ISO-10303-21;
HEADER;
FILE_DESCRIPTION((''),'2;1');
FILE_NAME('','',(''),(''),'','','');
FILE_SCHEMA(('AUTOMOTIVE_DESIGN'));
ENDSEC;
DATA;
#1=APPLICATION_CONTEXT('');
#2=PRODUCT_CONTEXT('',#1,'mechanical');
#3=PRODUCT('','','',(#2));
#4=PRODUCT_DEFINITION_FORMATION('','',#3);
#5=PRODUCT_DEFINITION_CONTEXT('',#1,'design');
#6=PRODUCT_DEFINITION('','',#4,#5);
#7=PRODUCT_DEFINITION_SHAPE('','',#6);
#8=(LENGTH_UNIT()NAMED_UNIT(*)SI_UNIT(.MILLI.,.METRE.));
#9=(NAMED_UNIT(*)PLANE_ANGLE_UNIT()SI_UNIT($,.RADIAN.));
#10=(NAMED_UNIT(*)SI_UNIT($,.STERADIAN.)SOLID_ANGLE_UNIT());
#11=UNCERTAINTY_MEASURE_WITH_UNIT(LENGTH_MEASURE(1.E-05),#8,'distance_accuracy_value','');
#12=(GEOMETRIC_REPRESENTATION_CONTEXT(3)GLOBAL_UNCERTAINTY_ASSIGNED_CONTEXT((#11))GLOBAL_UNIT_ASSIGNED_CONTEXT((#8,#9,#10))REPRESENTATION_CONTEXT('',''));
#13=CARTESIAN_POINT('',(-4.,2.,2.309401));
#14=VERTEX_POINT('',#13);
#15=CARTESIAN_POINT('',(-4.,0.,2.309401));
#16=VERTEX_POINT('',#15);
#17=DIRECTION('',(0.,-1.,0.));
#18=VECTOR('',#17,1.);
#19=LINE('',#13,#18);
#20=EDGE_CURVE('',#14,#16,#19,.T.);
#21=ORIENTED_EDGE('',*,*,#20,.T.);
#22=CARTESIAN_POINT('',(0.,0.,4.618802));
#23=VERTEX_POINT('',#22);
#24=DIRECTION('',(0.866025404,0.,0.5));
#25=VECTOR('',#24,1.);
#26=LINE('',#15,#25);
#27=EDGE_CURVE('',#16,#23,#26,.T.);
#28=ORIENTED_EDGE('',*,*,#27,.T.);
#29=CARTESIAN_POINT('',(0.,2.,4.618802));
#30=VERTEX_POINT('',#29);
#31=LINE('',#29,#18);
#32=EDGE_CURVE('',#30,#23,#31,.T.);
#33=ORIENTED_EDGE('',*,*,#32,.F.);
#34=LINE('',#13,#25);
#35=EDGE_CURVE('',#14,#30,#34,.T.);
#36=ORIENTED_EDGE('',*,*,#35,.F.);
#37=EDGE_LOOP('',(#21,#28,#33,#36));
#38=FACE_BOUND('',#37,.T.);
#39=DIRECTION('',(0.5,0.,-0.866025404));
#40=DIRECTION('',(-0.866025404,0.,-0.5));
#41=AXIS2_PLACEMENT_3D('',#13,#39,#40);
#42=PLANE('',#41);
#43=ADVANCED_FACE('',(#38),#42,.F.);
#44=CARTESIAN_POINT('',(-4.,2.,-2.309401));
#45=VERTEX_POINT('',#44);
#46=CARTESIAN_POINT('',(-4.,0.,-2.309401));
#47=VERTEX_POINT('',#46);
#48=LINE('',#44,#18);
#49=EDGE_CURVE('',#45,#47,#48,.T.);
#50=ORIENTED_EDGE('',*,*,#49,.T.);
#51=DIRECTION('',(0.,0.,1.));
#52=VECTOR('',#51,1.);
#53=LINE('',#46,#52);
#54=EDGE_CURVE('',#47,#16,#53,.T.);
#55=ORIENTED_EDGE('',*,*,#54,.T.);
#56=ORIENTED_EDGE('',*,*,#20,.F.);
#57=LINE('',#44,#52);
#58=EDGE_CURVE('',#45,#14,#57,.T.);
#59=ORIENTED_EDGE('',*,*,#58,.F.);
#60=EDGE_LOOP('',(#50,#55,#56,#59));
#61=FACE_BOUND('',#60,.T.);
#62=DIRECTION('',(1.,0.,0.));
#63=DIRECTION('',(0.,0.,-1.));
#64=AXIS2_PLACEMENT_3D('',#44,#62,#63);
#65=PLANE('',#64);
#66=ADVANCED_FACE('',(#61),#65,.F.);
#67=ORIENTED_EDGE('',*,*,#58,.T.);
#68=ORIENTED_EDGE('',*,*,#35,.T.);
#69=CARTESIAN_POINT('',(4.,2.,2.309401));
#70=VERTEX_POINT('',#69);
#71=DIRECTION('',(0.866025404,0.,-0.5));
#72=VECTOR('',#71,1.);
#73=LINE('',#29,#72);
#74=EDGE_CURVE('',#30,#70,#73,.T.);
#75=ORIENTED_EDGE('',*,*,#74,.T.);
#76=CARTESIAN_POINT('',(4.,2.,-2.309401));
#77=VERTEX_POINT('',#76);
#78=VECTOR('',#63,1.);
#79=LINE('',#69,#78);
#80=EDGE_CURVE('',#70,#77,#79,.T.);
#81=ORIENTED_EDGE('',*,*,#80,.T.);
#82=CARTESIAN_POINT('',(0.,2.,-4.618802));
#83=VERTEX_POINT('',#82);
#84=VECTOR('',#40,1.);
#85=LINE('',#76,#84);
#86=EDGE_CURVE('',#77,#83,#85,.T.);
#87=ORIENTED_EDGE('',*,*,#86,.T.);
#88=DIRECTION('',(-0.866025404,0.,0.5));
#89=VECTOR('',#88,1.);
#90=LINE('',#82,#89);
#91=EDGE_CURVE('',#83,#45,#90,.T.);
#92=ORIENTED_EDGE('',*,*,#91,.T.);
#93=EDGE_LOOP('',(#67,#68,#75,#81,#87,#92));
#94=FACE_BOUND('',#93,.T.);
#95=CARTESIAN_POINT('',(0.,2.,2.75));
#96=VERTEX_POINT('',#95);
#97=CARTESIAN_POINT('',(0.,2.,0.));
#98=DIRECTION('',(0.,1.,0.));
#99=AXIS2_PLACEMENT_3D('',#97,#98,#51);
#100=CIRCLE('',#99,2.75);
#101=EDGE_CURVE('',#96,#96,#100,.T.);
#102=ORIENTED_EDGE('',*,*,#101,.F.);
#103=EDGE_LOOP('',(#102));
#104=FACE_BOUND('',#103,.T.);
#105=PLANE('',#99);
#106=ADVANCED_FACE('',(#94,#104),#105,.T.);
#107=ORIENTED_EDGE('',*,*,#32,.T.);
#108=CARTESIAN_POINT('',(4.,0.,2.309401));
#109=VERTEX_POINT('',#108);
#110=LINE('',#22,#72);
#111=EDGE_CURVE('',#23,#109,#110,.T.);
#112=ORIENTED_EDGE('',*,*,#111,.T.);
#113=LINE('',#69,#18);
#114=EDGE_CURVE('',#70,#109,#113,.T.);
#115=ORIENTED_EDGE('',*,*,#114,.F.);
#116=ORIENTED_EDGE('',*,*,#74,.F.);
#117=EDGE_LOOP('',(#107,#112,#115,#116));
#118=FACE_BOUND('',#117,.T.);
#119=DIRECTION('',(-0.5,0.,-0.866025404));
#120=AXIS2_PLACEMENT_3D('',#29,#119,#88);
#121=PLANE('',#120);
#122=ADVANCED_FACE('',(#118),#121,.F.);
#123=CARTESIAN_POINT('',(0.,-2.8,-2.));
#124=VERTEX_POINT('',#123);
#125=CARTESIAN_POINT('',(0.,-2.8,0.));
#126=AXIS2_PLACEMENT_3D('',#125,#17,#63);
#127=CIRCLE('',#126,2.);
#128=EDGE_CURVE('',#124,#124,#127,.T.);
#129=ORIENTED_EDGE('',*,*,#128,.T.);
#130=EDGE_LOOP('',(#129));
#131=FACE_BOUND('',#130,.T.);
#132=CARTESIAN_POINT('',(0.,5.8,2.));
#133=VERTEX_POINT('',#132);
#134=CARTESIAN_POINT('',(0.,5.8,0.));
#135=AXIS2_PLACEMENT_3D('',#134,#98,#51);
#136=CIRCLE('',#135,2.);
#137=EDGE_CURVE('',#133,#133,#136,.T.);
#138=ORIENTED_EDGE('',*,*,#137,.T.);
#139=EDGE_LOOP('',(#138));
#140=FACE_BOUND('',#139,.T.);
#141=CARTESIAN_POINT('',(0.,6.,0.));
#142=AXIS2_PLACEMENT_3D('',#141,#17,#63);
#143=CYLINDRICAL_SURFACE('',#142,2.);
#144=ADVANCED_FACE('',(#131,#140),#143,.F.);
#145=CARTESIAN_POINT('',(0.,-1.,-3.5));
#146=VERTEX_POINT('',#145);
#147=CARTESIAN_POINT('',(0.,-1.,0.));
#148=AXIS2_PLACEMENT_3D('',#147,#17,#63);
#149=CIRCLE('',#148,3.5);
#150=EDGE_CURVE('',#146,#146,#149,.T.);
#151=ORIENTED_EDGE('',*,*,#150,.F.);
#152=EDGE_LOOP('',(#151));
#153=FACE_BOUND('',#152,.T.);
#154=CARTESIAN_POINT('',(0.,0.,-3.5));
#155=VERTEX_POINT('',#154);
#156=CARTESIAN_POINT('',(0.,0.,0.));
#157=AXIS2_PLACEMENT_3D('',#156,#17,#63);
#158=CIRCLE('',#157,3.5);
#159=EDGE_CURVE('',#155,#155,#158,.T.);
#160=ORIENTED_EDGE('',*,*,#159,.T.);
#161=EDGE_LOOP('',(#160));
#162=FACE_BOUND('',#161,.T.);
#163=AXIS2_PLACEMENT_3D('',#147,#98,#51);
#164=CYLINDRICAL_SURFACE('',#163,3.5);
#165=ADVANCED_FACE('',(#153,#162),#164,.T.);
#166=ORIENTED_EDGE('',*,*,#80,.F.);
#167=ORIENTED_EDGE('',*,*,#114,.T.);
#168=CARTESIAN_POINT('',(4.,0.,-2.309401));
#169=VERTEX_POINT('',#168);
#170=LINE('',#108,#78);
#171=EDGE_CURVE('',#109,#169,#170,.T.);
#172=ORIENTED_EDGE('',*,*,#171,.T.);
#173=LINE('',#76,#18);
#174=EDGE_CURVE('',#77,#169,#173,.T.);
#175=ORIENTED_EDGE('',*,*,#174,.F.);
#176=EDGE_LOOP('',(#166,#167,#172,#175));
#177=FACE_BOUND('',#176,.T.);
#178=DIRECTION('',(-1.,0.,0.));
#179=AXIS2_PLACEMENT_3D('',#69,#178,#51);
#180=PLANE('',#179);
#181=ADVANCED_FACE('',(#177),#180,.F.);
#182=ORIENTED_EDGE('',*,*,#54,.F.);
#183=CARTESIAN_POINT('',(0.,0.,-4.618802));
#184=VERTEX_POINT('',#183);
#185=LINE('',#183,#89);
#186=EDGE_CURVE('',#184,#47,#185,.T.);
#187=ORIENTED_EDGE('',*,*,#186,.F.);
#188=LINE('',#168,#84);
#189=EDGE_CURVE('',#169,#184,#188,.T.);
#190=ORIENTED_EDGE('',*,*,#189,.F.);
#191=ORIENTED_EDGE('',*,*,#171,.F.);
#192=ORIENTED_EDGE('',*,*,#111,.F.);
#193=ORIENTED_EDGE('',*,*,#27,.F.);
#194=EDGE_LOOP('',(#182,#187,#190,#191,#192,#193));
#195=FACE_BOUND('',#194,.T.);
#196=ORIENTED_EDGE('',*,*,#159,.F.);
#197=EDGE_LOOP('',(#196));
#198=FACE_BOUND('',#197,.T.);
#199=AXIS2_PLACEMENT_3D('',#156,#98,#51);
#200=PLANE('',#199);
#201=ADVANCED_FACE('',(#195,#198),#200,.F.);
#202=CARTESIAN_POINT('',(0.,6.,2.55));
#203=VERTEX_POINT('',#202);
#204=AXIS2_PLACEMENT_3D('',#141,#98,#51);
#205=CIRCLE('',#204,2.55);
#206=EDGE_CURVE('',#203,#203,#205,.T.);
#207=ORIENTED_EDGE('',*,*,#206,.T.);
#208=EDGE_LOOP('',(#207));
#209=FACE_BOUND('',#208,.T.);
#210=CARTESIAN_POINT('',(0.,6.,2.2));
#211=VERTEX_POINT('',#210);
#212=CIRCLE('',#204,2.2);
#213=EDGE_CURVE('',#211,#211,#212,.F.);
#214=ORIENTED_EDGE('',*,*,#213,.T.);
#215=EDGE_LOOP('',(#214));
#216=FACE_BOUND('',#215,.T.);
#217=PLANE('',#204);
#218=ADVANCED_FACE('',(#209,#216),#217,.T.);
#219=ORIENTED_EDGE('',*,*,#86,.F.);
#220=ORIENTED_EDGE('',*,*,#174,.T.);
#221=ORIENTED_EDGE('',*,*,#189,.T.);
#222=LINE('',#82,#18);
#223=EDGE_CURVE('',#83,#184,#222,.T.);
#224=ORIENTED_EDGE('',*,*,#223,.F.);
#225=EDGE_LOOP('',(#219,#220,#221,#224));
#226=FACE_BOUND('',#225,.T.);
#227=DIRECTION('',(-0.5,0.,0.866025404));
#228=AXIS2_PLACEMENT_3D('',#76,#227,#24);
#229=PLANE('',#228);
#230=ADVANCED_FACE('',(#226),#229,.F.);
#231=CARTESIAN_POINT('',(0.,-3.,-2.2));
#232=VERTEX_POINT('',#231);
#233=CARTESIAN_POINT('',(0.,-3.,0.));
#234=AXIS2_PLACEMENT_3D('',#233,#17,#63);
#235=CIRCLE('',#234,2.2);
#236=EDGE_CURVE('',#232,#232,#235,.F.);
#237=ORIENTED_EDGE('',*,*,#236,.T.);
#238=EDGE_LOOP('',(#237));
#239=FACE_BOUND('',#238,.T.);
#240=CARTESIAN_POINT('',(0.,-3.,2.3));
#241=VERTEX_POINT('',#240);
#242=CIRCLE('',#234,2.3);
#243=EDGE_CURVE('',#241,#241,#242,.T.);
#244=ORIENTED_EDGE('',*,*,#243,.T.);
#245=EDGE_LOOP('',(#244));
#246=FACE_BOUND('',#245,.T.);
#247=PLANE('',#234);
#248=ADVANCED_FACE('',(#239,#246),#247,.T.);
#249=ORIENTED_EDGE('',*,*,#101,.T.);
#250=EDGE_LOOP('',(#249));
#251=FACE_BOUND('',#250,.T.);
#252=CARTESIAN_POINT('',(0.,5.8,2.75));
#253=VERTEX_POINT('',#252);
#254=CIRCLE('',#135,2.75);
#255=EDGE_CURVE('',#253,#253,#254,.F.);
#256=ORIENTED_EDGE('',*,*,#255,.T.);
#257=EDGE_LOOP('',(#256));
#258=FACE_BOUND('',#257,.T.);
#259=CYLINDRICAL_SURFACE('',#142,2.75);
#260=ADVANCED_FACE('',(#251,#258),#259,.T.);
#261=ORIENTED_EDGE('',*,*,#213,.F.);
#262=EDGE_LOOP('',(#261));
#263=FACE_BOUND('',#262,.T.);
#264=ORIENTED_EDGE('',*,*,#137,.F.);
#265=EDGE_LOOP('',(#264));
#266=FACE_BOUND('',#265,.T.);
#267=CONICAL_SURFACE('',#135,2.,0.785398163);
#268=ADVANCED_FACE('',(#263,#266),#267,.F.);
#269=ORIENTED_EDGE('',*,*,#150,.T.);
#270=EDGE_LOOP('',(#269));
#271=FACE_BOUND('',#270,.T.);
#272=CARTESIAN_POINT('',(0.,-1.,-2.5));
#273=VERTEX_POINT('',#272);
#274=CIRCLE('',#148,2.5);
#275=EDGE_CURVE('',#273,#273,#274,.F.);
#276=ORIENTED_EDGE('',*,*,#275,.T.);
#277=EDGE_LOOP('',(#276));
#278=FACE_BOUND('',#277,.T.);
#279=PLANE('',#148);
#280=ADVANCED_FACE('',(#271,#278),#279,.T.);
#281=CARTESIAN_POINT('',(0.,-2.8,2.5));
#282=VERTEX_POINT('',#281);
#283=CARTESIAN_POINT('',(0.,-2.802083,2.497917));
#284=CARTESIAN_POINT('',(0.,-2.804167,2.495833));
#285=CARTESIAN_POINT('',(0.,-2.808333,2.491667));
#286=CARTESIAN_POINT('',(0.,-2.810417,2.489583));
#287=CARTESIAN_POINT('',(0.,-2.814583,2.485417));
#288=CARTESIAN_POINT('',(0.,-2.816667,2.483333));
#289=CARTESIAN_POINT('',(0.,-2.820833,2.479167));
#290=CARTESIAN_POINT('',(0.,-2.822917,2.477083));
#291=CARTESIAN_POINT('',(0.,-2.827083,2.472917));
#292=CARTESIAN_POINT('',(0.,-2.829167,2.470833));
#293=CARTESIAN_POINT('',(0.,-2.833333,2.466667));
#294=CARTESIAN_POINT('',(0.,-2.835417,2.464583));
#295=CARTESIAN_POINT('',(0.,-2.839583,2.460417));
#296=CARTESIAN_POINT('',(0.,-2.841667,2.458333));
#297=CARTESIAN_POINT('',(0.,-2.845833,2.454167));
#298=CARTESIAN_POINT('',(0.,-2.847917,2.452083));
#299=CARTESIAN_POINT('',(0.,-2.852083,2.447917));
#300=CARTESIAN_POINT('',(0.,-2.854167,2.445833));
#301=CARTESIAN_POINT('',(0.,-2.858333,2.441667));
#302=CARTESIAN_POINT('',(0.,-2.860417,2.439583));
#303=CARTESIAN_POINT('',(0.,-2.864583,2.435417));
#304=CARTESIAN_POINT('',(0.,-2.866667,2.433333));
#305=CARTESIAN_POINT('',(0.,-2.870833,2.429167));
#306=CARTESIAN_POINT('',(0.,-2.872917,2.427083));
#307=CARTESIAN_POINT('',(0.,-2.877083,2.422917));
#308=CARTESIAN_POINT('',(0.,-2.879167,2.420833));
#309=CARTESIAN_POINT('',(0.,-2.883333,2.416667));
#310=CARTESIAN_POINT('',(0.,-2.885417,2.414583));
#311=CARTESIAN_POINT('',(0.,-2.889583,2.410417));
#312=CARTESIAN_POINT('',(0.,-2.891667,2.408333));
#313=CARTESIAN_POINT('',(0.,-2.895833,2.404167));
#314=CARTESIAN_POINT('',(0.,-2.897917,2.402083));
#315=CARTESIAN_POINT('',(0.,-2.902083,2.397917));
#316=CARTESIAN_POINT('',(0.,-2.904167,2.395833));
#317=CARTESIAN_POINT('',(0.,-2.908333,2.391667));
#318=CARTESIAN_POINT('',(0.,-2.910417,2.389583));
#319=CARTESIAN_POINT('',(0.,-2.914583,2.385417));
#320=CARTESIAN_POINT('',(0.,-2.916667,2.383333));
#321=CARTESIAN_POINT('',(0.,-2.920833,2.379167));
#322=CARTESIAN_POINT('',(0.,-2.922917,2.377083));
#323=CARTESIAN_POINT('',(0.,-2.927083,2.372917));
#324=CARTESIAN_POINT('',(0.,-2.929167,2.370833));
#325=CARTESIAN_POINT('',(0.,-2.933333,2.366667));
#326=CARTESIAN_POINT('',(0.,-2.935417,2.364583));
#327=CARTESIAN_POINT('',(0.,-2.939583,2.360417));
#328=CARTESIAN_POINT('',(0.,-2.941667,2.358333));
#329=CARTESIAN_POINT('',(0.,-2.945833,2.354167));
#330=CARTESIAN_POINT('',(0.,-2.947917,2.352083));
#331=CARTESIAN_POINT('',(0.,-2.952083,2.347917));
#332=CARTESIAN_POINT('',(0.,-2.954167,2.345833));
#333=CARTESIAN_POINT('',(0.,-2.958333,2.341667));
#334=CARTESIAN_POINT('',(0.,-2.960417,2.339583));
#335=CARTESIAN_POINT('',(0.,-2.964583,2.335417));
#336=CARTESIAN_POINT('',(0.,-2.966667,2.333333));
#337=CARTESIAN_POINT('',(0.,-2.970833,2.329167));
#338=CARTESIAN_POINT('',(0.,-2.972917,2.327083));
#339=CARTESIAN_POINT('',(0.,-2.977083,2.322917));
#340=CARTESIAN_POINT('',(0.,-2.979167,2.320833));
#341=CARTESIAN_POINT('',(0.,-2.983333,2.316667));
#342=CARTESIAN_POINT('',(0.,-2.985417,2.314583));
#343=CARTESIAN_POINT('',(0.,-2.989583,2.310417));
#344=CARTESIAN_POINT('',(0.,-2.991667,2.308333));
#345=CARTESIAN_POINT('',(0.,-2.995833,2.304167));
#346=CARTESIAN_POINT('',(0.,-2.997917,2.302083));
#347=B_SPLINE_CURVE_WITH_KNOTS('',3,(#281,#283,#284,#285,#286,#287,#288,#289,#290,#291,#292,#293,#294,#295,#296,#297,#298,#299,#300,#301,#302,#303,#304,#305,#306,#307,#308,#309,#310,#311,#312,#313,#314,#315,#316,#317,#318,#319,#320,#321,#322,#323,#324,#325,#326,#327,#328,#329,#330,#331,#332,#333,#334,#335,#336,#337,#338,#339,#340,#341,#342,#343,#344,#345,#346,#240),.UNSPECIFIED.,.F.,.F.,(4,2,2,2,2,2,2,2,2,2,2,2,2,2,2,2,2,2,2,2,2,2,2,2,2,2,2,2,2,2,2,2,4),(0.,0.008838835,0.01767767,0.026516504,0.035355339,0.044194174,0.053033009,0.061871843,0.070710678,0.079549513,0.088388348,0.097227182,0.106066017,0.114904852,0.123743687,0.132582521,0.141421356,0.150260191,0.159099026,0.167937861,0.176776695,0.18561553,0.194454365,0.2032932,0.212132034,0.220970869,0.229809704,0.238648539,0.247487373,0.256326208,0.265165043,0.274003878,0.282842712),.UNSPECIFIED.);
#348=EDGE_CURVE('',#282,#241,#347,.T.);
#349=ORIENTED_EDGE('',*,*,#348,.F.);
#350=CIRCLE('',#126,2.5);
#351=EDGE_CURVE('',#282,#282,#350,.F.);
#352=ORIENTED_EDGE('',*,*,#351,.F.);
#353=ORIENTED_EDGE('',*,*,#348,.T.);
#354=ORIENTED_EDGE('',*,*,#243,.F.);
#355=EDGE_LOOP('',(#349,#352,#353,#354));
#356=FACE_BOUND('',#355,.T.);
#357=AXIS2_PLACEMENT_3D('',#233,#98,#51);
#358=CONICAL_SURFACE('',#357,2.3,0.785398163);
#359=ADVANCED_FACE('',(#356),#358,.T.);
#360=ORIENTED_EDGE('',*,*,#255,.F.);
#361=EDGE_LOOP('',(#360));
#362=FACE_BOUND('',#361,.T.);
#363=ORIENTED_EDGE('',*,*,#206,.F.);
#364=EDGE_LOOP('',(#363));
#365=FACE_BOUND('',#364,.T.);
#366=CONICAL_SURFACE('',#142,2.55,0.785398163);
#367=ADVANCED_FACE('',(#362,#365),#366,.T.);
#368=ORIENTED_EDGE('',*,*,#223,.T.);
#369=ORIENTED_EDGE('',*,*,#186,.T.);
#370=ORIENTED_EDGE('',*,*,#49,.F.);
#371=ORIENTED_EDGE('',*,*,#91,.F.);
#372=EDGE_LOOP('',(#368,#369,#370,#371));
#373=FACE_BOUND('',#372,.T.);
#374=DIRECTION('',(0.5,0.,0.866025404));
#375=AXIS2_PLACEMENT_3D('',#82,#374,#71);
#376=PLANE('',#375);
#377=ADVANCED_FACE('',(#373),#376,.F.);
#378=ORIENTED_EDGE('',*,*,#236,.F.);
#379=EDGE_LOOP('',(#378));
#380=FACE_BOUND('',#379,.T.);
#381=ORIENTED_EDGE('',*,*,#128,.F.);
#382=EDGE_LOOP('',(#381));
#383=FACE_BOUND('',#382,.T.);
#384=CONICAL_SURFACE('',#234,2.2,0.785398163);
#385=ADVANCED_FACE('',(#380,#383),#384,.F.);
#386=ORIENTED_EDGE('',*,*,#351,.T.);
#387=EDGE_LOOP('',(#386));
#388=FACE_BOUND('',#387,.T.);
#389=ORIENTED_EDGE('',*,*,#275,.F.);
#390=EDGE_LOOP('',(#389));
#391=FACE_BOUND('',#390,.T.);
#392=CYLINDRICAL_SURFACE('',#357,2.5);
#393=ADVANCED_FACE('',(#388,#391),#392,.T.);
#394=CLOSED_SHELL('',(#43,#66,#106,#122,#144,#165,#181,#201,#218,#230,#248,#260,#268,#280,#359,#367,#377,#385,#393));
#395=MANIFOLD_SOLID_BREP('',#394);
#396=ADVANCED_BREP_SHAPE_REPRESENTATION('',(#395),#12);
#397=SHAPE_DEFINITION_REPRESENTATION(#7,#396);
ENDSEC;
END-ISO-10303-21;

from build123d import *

# Parameters (mm, degrees)
BOSS_EXTRUDE1_DEPTH = 2
SKETCH2_R           = 2.75
BOSS_EXTRUDE2_DEPTH = 4
SKETCH2_3_R         = 2
CUT_EXTRUDE1_DEPTH  = 4
SKETCH3_R           = 3.5
BOSS_EXTRUDE3_DEPTH = 1
SKETCH3_4_R         = 2.5
BOSS_EXTRUDE4_DEPTH = 3
SKETCH4_R           = 2
CUT_EXTRUDE3_DEPTH  = 8.895146188
CHAMFER1_SIZE       = 0.2


with BuildPart() as part:
    # Sketch1 → Boss-Extrude1 (new body)
    with BuildSketch(Plane(origin=(0, 0, 0), x_dir=(1, 0, 0), z_dir=(0, 1, 0))):
        Polygon((0, 4.618802154), (-4, 2.309401077), (-4, -2.309401077), (0, -4.618802154), (4, -2.309401077), (4, 2.309401077), align=None)
    extrude(amount=BOSS_EXTRUDE1_DEPTH)

    # Sketch2 → Boss-Extrude2 (add)
    with BuildSketch(Plane(origin=(0, 2, 0), x_dir=(1, 0, 0), z_dir=(0, 1, 0))):
        Circle(SKETCH2_R)
    extrude(amount=BOSS_EXTRUDE2_DEPTH)

    # Sketch2<3> → Cut-Extrude1 (cut)
    with BuildSketch(Plane(origin=(0, 2, 0), x_dir=(1, 0, 0), z_dir=(0, 1, 0))):
        Circle(SKETCH2_3_R)
    extrude(amount=CUT_EXTRUDE1_DEPTH, mode=Mode.SUBTRACT)

    # Sketch3 → Boss-Extrude3 (add)
    with BuildSketch(Plane.XZ):
        Circle(SKETCH3_R)
    extrude(amount=BOSS_EXTRUDE3_DEPTH)

    # Sketch3<4> → Boss-Extrude4 (add)
    with BuildSketch(Plane.XZ):
        Circle(SKETCH3_4_R)
    extrude(amount=BOSS_EXTRUDE4_DEPTH)

    # Sketch4 → Cut-Extrude3 (cut, through all)
    with BuildSketch(Plane(origin=(0, 2, 0), x_dir=(1, 0, 0), z_dir=(0, 1, 0))):
        Circle(SKETCH4_R)
    extrude(amount=-CUT_EXTRUDE3_DEPTH, mode=Mode.SUBTRACT)

    # Chamfer1
    chamfer1_edges = [part.edges().sort_by_distance(p)[0] for p in [
        (-2.75, 6, 0),
        (-2, 6, 0),
        (-2.5, -3, 0),
        (-2, -3, 0),
    ]]
    chamfer(chamfer1_edges, length=CHAMFER1_SIZE)


solid = part.part
